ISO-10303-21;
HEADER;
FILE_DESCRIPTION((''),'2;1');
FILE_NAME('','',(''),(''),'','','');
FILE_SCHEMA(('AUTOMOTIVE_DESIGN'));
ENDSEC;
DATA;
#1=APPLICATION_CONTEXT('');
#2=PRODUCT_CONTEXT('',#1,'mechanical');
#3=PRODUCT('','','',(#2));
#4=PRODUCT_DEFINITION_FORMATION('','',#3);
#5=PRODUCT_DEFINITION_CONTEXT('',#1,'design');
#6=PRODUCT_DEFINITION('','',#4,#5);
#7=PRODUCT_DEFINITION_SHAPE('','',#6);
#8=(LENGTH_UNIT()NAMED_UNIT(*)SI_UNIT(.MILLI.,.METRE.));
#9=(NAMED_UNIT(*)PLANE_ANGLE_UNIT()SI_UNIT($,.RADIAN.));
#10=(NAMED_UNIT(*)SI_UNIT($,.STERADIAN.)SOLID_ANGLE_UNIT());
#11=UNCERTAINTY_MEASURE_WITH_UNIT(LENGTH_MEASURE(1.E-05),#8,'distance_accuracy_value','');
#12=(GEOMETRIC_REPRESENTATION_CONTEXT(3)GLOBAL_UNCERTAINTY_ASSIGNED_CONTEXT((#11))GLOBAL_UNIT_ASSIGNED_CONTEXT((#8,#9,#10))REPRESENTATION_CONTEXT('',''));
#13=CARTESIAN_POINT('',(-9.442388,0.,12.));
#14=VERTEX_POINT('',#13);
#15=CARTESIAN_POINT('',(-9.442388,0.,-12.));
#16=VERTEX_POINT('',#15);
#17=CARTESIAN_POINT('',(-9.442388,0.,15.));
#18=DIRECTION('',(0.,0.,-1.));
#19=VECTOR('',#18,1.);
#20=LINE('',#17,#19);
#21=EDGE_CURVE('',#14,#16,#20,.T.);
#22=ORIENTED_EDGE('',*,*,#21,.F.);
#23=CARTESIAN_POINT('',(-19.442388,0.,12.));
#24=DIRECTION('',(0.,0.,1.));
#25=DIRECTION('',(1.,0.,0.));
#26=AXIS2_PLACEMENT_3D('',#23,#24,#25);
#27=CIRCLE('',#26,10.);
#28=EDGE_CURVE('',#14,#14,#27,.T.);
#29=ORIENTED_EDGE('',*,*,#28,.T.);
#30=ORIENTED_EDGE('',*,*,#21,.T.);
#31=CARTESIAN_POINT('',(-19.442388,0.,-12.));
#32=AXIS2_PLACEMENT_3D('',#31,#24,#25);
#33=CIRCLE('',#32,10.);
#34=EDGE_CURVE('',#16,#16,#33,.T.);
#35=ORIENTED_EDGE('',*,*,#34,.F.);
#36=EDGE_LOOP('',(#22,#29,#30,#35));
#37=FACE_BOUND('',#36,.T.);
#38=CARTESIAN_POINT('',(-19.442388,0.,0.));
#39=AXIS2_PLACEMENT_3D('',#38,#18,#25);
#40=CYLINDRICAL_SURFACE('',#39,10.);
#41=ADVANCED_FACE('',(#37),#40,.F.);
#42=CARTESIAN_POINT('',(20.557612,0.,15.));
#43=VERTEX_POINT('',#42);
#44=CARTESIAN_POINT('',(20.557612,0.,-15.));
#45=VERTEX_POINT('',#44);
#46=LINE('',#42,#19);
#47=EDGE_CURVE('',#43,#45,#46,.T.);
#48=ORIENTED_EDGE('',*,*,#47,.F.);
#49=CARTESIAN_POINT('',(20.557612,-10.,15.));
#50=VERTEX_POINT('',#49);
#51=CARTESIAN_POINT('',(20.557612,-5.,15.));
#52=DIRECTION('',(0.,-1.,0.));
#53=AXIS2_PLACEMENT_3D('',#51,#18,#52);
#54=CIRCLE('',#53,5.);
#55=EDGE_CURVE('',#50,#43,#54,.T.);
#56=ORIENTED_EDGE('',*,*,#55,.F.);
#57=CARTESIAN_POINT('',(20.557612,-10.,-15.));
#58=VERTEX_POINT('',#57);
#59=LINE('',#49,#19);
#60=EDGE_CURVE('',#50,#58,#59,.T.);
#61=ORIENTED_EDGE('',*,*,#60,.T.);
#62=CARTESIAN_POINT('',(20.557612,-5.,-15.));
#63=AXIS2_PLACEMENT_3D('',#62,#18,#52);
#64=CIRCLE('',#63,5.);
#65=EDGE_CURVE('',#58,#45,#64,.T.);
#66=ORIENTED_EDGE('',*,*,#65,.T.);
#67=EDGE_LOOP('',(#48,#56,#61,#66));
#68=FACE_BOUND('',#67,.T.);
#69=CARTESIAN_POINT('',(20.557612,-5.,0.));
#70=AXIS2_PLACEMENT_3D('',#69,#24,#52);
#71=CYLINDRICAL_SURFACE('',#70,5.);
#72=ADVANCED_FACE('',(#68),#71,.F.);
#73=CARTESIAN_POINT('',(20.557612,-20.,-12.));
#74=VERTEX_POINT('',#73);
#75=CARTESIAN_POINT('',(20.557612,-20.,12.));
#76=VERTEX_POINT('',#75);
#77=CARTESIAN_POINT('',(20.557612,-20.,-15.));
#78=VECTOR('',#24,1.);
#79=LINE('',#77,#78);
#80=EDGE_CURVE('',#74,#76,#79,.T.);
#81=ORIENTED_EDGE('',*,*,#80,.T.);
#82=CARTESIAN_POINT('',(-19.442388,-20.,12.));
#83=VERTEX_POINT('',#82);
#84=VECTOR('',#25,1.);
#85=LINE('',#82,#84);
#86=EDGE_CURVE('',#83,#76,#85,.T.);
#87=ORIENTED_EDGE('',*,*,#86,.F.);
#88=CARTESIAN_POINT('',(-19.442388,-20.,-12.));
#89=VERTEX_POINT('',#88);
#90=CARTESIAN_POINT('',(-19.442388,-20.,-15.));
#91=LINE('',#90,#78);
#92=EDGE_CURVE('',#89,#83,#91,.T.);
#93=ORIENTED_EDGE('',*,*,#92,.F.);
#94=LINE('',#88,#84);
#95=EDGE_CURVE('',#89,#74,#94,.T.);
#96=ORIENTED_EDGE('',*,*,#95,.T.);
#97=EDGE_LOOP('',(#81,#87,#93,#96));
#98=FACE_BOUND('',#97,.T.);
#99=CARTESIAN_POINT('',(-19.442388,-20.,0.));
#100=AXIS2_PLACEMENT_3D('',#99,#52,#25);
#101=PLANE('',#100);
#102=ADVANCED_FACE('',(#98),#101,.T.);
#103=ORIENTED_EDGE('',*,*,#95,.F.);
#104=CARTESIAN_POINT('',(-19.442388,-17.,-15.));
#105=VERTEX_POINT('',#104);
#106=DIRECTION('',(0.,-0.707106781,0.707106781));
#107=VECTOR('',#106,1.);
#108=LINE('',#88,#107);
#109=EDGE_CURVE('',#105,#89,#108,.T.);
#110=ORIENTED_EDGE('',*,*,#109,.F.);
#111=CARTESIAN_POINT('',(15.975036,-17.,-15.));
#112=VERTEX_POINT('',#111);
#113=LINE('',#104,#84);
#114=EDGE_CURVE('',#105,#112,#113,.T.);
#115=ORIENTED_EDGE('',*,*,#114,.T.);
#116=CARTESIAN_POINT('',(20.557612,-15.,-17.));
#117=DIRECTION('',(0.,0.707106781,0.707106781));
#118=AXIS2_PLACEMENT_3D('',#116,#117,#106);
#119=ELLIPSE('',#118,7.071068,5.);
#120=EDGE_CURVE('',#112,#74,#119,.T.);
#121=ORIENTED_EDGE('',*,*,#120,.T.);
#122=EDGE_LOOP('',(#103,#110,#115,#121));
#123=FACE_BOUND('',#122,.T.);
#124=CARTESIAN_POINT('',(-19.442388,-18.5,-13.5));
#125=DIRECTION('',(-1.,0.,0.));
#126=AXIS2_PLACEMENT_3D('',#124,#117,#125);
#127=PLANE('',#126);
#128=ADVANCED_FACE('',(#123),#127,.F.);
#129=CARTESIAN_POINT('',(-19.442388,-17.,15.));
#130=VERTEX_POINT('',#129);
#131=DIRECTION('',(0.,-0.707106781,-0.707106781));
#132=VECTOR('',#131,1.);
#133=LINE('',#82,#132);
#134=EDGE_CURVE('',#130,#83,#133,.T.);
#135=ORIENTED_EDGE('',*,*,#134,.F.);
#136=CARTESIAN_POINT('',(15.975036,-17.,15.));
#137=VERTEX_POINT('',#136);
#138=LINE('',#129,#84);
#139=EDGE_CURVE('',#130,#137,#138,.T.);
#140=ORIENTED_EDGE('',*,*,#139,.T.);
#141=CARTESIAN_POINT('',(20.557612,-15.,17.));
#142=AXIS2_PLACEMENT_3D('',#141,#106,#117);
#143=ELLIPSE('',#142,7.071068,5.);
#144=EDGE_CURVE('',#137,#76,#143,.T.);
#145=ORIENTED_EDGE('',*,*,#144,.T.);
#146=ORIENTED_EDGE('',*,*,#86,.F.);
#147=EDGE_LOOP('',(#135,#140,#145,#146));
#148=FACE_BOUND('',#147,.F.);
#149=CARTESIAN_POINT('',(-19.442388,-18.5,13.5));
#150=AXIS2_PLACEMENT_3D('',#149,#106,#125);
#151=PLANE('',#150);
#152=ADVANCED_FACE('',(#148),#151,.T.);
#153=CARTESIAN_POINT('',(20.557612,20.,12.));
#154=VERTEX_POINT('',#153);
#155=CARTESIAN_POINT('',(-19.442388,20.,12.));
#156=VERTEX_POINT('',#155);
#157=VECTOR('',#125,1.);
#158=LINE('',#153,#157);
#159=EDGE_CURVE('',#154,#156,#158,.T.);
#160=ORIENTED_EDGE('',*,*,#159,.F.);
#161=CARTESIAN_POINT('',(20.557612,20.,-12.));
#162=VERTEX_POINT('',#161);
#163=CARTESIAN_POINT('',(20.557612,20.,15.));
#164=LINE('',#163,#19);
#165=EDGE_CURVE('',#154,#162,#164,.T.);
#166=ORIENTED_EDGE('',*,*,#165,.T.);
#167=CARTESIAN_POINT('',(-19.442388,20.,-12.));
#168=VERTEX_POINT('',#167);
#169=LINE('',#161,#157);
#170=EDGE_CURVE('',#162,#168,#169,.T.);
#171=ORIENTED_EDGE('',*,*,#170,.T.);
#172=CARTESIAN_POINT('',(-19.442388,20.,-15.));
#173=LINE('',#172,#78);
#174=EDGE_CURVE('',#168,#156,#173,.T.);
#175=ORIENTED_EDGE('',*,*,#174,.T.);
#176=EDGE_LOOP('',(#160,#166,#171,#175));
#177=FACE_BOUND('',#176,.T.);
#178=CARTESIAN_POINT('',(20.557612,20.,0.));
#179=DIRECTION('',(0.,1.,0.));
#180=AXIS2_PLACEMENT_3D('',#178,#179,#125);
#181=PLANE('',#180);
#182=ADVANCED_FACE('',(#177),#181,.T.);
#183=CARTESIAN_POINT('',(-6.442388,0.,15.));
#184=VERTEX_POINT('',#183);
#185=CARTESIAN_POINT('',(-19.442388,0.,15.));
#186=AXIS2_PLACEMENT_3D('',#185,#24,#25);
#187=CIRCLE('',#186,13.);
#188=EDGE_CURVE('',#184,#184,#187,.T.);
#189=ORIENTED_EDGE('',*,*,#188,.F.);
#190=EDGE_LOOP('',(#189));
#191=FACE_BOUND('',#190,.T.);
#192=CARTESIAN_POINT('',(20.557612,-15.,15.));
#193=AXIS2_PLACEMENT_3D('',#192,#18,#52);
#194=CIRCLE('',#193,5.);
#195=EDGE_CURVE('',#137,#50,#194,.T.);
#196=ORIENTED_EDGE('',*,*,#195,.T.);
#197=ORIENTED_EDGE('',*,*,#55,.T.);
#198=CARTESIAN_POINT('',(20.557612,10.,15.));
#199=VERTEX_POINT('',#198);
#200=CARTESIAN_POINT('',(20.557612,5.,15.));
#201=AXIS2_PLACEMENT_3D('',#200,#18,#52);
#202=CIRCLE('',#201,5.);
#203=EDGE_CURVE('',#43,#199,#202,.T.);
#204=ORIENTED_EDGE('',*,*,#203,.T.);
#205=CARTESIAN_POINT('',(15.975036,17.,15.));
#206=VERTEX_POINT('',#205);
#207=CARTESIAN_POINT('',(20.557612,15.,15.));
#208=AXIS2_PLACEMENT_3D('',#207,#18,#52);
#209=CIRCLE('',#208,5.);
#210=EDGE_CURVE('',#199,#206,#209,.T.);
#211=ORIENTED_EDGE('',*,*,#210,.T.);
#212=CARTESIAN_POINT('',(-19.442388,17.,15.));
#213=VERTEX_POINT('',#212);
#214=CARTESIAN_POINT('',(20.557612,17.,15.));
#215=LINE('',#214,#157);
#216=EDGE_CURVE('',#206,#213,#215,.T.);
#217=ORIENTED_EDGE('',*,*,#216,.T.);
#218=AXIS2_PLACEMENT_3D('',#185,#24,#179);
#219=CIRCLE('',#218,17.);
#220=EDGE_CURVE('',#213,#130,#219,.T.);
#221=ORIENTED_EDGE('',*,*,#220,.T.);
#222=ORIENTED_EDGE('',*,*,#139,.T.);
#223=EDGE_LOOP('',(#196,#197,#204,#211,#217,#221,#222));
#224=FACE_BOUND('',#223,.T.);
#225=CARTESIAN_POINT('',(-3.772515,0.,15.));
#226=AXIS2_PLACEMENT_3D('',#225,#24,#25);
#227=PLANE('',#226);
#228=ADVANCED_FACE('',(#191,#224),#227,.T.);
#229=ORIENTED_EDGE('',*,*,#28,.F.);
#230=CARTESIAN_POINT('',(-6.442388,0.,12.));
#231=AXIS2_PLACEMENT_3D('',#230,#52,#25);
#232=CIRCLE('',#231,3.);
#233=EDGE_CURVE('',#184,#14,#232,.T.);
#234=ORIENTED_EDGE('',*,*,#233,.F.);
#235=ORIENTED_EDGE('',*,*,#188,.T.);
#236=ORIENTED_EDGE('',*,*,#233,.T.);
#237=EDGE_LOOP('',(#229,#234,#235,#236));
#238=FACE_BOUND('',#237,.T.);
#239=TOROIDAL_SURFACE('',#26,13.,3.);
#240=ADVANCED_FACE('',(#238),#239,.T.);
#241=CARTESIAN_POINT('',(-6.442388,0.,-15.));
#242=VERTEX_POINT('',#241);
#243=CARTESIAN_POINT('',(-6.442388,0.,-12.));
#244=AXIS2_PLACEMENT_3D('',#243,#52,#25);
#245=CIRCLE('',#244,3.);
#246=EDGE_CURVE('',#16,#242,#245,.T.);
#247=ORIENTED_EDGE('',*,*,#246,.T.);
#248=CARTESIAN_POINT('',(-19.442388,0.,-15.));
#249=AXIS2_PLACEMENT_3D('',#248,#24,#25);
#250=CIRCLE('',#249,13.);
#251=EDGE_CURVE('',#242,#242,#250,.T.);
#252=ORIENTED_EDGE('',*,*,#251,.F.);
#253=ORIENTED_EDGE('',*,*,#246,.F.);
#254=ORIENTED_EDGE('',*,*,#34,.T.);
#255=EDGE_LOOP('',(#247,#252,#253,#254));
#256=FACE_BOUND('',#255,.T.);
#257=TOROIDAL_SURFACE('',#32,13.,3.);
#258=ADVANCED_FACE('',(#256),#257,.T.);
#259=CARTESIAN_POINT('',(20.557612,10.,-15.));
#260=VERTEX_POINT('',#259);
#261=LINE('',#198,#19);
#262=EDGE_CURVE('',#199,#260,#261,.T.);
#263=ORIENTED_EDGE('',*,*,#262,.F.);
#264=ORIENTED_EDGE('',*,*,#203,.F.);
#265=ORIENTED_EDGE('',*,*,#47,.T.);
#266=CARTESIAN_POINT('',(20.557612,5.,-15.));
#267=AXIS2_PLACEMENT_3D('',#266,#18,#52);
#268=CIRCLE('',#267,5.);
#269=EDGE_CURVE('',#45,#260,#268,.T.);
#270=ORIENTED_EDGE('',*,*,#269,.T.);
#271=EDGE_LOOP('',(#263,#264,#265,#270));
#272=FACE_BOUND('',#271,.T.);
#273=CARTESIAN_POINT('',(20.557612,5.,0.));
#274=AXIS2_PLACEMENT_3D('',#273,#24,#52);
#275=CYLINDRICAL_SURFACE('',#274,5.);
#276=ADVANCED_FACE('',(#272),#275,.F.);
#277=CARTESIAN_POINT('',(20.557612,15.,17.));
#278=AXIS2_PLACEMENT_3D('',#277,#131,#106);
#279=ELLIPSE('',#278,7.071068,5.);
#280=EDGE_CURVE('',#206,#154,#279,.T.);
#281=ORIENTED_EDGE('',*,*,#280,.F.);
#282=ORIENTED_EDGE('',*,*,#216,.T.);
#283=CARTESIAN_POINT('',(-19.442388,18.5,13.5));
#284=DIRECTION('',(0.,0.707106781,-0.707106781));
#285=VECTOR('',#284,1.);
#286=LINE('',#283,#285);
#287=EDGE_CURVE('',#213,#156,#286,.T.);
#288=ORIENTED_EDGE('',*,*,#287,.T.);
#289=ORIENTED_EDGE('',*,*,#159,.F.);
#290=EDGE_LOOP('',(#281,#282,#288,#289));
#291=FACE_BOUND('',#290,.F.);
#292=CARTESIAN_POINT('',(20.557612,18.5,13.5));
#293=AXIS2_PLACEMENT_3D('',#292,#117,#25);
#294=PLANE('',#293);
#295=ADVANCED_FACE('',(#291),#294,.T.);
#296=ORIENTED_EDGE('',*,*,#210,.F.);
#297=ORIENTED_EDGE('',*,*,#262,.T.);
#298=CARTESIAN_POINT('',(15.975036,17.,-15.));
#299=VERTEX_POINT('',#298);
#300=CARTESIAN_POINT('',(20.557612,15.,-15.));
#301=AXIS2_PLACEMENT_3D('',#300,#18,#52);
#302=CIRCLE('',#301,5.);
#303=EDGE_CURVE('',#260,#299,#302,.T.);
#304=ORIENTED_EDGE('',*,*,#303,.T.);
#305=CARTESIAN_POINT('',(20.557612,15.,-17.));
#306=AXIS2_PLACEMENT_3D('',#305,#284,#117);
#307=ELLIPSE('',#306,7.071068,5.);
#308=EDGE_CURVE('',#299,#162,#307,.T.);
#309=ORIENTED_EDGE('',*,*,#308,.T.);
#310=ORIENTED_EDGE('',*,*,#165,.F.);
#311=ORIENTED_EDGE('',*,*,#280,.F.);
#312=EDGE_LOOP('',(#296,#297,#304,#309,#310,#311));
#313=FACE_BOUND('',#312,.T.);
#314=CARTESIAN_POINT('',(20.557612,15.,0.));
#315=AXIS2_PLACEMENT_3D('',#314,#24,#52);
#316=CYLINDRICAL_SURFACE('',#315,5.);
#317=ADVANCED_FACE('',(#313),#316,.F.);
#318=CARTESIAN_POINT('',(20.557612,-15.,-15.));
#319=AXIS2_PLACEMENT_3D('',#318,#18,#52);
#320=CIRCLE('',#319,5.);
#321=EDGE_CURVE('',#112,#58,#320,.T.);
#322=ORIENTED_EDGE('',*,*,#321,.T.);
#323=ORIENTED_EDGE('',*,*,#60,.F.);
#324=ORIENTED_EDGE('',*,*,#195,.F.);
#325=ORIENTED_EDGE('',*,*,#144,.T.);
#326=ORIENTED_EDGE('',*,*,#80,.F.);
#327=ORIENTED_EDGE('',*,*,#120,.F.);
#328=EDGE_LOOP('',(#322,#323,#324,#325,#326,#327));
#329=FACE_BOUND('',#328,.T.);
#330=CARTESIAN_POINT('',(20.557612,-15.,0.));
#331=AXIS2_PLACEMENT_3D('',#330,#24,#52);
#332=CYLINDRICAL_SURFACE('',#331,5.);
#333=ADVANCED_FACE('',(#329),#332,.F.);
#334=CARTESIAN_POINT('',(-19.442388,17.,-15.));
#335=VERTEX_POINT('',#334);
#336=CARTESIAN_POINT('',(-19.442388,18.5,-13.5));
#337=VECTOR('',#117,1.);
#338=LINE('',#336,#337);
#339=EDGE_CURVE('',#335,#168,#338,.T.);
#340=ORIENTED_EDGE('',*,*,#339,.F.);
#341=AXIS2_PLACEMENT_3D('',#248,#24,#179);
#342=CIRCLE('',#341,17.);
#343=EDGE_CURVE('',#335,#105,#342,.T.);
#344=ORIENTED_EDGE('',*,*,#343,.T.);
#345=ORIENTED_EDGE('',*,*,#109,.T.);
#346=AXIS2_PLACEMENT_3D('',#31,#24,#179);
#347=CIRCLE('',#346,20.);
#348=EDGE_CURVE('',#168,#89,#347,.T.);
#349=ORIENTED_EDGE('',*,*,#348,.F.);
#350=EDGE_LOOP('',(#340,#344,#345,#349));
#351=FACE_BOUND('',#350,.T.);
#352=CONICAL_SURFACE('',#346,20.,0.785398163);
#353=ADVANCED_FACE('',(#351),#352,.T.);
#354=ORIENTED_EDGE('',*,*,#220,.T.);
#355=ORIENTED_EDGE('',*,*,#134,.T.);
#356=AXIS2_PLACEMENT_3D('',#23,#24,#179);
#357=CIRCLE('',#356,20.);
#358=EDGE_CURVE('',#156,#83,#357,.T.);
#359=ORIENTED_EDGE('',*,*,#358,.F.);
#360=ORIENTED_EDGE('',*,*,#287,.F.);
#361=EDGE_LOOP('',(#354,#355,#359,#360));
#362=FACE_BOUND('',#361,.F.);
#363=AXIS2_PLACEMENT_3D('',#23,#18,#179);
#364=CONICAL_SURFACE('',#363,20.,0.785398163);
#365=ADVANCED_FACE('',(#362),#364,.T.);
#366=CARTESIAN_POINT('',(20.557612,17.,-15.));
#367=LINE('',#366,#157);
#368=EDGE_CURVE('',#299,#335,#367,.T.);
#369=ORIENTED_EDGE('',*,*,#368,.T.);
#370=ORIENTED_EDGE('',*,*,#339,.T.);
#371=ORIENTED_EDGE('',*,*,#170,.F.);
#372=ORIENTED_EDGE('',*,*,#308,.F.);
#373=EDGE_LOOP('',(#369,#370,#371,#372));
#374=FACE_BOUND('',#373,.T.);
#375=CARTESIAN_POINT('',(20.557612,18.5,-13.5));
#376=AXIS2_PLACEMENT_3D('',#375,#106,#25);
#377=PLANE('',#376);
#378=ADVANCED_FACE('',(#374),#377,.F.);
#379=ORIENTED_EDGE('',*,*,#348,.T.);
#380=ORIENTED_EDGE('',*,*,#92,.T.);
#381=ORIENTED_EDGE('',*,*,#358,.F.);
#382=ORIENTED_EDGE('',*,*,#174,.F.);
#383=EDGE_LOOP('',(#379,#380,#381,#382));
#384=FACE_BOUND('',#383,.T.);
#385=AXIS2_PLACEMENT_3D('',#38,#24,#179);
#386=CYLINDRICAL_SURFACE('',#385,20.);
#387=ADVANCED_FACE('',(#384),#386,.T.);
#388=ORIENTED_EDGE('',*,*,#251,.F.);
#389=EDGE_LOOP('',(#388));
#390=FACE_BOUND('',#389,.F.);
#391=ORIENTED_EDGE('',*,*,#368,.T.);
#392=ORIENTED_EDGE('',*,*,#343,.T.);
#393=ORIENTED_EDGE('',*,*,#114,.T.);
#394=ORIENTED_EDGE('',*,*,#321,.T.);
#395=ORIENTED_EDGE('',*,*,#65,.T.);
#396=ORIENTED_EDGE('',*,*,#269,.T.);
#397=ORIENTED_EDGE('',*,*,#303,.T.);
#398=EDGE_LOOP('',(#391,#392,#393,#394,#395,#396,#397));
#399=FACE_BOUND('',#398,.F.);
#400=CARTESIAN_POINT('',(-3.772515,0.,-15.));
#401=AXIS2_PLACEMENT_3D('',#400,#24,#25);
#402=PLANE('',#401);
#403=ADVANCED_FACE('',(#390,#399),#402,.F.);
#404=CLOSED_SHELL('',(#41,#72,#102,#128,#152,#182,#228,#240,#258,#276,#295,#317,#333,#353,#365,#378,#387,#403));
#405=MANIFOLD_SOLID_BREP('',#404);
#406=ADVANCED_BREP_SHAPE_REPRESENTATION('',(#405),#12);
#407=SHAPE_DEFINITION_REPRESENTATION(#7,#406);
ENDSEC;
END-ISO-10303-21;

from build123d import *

# Parameters (mm, degrees)
F0_R     = 10
F1_DEPTH = 15
F2_R     = 3
F3_R     = 3
F4_SIZE  = 3
F5_SIZE  = 3


with BuildPart() as f1:
    # F0 (on Top) → F1 (new body, symmetric)
    with BuildSketch(Plane.XY):
        with BuildLine():
            Line((20.557612, 20), (-19.442388, 20))
            ThreePointArc((-19.442388, 20), (-39.442388, 0), (-19.442388, -20))
            Line((-19.442388, -20), (20.557612, -20))
            ThreePointArc((20.557612, -20), (15.557612, -15), (20.557612, -10))
            ThreePointArc((20.557612, -10), (15.557612, -5), (20.557612, 0))
            ThreePointArc((20.557612, 0), (15.557612, 5), (20.557612, 10))
            ThreePointArc((20.557612, 10), (15.557612, 15), (20.557612, 20))
        make_face()
        with Locations((-19.442388, 0)):
            Circle(F0_R, mode=Mode.SUBTRACT)
    extrude(amount=F1_DEPTH, both=True)

    # F2
    f2_edges = [f1.edges().sort_by_distance(p)[0] for p in [
        (-29.442388, 0, 15),
    ]]
    fillet(f2_edges, radius=F2_R)

    # F3
    f3_edges = [f1.edges().sort_by_distance(p)[0] for p in [
        (-29.442388, 0, -15),
    ]]
    fillet(f3_edges, radius=F3_R)

    # F4
    f4_edges = [f1.edges().sort_by_distance(p)[0] for p in [
        (0.557612, 20, 15),
        (-39.442388, 0, 15),
        (0.557612, -20, 15),
    ]]
    chamfer(f4_edges, length=F4_SIZE)

    # F5
    f5_edges = [f1.edges().sort_by_distance(p)[0] for p in [
        (0.557612, -20, -15),
        (-39.442388, 0, -15),
        (0.557612, 20, -15),
    ]]
    chamfer(f5_edges, length=F5_SIZE)


solid = f1.part
